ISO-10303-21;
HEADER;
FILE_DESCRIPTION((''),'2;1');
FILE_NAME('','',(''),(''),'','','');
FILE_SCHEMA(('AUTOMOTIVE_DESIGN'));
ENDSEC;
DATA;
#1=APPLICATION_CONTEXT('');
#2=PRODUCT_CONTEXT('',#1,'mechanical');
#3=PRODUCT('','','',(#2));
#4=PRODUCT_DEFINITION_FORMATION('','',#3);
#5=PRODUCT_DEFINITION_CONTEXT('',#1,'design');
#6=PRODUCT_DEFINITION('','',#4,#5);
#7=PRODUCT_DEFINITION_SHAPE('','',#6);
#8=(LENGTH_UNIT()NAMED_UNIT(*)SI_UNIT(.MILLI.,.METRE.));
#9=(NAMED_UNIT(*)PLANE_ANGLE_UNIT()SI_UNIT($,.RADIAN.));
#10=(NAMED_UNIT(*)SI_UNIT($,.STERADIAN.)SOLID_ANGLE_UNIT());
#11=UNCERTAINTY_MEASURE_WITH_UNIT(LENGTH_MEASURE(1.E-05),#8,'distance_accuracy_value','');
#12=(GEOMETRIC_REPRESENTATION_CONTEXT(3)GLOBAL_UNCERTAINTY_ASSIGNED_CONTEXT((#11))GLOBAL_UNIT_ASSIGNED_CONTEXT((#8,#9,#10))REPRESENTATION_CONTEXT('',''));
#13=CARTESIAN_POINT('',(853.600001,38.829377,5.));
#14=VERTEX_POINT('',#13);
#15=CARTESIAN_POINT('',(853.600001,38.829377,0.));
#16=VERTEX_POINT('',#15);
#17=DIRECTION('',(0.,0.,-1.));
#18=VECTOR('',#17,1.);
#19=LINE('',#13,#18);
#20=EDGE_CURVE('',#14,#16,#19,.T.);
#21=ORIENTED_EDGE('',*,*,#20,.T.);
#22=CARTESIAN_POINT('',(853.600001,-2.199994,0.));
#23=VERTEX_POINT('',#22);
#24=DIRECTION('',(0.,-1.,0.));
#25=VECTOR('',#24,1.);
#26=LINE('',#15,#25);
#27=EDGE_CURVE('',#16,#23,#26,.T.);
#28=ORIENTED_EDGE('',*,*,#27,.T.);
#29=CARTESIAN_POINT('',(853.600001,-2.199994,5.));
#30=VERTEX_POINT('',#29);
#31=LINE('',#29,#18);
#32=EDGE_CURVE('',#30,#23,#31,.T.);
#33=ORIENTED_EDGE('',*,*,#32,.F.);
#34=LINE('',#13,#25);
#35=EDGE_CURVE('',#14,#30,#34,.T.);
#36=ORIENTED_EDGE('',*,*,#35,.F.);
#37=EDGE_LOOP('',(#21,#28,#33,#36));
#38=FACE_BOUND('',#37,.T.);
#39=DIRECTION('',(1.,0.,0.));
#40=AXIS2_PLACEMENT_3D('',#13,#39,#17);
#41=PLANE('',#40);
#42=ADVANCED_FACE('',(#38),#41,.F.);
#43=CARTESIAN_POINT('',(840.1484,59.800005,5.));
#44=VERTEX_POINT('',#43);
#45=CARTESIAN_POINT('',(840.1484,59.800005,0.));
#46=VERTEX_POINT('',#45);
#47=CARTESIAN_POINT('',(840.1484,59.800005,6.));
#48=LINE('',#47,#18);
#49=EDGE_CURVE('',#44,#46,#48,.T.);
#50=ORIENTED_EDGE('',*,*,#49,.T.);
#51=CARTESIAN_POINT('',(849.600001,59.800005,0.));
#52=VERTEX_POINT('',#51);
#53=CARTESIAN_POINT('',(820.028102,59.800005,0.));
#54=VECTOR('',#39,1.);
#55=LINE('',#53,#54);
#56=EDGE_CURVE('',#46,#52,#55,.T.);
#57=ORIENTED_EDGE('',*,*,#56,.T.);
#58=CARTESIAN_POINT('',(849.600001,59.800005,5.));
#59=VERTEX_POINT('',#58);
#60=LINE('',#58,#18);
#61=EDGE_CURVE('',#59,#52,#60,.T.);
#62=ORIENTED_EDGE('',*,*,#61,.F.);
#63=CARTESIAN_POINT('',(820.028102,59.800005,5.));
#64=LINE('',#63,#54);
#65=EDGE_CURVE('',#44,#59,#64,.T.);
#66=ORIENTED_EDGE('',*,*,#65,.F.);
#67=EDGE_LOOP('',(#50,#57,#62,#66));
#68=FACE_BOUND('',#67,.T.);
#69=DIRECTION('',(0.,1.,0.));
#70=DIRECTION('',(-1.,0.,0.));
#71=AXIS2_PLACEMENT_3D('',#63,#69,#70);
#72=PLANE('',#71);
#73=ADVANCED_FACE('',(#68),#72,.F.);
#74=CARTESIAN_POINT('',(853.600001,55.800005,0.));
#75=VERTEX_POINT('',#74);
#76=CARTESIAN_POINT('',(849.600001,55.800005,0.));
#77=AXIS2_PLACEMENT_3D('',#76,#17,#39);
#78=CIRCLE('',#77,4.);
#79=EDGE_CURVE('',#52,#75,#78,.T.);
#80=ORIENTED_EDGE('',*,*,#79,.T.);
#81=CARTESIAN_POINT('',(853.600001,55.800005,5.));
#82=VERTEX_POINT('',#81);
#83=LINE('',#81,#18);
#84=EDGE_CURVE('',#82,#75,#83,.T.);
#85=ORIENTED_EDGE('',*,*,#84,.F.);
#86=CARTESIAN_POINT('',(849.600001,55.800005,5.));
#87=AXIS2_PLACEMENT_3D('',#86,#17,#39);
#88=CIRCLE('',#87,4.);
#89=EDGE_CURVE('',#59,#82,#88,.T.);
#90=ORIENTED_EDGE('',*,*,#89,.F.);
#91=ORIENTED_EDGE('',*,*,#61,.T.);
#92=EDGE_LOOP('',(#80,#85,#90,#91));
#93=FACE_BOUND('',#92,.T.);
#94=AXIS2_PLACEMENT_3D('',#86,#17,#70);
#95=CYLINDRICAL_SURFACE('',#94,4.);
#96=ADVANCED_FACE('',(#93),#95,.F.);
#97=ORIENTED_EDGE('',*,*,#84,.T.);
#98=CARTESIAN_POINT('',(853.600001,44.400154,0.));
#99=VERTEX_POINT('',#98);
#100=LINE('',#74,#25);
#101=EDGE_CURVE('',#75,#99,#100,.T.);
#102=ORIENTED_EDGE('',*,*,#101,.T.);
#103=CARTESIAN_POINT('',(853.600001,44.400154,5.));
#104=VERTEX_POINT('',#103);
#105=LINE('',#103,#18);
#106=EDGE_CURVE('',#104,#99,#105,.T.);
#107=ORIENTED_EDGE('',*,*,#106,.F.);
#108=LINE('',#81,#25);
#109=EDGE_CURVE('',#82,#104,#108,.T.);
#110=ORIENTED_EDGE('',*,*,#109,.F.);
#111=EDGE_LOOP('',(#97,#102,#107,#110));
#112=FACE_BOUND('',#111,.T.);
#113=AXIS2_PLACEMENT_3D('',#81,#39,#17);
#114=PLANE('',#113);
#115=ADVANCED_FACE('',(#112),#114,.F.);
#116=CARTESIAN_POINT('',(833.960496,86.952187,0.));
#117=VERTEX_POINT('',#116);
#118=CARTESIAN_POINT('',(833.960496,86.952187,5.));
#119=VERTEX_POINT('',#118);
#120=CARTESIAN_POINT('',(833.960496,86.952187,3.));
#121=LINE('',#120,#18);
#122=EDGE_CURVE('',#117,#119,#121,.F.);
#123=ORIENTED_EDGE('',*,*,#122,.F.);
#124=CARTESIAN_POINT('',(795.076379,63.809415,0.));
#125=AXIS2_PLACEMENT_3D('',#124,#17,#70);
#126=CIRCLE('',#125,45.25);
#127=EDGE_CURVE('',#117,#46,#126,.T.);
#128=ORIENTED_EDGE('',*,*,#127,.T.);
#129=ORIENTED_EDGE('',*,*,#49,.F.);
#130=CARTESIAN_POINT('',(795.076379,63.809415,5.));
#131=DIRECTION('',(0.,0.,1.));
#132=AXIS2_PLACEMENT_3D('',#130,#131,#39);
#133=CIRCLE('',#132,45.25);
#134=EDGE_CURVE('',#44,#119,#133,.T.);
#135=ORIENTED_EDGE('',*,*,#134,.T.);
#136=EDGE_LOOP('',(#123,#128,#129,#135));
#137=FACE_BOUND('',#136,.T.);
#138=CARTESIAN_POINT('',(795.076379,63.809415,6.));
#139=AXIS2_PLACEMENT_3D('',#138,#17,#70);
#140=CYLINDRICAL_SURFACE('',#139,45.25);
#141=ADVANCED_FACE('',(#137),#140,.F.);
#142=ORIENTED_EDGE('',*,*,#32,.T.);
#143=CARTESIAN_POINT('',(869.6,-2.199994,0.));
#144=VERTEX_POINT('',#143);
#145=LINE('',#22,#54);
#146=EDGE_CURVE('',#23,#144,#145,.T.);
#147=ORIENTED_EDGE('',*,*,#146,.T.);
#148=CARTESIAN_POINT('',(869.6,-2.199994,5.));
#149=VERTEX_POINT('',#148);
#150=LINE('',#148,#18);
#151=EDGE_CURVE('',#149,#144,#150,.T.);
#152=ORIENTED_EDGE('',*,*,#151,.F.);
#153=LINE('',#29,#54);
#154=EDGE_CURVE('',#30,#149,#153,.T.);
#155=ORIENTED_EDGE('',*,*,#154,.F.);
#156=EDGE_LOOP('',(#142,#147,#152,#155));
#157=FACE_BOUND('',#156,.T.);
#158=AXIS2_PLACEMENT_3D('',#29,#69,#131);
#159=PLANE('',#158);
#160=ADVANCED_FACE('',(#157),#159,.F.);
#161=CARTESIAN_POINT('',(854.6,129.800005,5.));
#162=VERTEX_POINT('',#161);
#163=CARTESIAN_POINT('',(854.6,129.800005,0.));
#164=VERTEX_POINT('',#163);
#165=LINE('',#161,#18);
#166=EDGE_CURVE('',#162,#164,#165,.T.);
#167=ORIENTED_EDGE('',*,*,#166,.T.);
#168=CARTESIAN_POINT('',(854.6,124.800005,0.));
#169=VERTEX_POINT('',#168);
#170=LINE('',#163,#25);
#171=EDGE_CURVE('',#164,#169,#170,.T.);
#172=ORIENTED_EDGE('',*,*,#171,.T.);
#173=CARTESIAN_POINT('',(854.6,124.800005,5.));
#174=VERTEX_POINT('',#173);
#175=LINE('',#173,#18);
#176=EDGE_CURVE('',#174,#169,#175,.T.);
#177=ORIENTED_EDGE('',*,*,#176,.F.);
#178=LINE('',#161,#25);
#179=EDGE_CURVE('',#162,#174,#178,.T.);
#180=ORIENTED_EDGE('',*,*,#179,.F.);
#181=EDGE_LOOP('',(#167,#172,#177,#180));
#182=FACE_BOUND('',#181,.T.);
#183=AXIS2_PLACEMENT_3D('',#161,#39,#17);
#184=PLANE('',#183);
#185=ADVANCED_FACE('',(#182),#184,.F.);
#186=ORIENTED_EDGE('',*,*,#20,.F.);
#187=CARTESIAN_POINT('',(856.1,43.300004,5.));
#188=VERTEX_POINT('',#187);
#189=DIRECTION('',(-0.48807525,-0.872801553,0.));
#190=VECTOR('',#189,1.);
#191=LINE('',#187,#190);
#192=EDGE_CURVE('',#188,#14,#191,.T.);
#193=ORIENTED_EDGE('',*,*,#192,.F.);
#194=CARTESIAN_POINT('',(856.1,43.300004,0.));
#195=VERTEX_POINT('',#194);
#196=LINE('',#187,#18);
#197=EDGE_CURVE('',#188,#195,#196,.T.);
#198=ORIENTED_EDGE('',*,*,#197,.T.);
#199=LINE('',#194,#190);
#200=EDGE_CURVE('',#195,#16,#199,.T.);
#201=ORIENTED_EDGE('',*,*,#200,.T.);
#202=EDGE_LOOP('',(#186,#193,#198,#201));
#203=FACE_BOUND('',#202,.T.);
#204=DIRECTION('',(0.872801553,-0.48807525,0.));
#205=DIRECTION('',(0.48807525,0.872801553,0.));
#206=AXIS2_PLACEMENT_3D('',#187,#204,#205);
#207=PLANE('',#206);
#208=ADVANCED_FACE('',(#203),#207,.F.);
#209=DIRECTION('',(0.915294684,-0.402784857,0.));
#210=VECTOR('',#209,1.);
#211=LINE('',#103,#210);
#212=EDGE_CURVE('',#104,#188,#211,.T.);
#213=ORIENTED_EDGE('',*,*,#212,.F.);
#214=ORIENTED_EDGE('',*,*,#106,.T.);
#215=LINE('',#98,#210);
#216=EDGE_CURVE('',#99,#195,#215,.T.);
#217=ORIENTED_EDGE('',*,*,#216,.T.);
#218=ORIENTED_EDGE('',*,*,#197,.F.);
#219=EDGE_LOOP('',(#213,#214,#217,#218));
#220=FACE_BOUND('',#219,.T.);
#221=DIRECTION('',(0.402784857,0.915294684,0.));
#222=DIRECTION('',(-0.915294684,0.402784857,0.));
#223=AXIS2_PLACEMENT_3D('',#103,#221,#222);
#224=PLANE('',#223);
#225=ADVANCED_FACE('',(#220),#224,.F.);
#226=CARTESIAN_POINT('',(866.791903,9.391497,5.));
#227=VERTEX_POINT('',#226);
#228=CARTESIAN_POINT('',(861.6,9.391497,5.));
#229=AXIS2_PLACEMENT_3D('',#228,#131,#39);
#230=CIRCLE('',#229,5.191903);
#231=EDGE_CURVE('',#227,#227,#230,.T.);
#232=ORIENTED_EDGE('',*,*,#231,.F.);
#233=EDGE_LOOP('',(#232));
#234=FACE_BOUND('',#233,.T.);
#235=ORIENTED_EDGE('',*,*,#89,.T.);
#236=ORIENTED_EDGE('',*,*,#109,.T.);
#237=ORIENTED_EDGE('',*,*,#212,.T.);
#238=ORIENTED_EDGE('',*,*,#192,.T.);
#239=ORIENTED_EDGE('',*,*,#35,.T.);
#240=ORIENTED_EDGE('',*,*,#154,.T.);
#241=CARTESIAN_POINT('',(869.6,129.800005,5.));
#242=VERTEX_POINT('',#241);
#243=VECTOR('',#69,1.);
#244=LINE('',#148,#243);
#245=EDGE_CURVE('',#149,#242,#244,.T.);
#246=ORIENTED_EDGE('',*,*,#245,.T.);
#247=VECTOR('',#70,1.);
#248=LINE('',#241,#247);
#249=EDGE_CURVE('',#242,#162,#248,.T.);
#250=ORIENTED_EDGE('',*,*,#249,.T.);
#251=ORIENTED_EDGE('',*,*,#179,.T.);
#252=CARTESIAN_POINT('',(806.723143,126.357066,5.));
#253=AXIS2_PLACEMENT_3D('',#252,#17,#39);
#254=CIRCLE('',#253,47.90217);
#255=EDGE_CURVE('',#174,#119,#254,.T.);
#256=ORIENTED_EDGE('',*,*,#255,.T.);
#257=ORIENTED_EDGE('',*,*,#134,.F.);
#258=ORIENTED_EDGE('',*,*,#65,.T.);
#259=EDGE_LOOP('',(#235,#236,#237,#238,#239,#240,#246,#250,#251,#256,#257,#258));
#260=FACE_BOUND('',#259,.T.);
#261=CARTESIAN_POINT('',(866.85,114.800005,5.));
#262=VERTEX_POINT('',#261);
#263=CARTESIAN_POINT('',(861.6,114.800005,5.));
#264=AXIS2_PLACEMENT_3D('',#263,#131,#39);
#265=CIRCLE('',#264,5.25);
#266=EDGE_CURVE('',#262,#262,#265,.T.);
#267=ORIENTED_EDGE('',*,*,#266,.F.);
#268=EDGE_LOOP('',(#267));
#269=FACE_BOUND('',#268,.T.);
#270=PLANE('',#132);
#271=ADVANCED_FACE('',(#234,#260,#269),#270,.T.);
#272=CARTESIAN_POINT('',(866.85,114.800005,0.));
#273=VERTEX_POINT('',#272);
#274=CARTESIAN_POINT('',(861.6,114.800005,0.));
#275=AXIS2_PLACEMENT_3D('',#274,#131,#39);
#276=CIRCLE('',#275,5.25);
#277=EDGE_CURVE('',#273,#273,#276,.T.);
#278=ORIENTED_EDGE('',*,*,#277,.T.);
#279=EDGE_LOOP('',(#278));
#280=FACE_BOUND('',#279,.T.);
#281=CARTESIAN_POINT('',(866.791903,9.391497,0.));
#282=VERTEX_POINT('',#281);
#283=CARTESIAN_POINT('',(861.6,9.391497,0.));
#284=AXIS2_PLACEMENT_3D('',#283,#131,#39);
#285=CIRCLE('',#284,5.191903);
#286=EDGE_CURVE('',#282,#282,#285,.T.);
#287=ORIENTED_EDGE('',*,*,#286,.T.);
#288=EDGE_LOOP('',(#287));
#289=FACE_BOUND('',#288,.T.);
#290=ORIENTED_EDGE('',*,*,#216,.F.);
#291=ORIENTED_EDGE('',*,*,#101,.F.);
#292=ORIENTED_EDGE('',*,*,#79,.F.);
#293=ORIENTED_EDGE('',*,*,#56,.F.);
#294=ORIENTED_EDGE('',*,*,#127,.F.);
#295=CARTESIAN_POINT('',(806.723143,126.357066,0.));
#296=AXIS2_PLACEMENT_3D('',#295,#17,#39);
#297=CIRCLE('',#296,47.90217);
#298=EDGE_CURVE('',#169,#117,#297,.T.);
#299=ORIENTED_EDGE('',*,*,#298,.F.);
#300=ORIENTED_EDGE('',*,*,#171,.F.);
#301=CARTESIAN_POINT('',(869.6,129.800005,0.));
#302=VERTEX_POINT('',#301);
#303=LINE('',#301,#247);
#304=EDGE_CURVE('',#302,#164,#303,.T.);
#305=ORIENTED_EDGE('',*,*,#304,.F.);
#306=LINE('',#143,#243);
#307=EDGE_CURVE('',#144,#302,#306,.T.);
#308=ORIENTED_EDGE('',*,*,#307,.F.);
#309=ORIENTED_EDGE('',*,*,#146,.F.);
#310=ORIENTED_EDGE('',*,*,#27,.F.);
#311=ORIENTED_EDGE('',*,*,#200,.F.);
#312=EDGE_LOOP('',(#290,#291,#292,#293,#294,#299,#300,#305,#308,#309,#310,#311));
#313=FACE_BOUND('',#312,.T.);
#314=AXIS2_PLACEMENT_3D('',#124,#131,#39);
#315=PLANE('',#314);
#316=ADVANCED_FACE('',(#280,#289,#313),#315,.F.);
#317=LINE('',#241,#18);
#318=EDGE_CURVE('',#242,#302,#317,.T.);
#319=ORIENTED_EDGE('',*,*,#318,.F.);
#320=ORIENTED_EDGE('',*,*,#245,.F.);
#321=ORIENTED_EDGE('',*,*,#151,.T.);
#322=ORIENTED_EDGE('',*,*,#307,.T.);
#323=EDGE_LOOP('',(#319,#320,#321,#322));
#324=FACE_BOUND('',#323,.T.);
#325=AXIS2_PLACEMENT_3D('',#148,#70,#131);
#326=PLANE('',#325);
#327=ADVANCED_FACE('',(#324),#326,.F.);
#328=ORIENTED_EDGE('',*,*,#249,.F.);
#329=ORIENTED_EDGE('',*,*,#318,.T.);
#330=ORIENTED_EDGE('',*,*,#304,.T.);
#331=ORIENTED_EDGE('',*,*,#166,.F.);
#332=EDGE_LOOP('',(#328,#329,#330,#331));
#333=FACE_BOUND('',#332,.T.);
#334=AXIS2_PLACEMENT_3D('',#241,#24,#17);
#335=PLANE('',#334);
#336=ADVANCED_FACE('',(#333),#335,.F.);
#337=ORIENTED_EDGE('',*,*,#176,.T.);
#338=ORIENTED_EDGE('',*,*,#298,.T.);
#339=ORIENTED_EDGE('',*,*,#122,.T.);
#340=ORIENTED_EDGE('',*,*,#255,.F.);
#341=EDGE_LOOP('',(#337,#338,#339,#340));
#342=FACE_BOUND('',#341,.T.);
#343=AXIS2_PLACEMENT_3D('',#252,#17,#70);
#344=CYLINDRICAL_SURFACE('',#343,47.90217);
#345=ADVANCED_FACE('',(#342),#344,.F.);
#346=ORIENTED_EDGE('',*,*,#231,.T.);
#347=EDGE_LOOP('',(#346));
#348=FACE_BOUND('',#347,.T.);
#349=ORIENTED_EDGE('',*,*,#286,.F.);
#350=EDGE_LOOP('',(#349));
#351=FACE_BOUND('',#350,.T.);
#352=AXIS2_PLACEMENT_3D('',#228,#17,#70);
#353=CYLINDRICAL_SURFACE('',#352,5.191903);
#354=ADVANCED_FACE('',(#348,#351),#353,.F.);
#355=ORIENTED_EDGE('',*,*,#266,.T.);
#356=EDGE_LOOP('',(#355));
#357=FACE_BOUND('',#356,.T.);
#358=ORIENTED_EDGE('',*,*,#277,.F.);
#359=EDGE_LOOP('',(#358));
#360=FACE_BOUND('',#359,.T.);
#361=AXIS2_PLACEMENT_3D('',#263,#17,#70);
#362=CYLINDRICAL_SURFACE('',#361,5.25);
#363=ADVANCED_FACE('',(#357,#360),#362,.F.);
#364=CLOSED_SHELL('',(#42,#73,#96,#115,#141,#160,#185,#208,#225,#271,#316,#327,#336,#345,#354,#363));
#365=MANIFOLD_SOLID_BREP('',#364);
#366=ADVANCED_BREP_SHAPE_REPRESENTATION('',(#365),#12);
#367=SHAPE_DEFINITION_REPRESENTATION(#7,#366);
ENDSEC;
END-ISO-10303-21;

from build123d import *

# Parameters (mm, degrees)
MODEL_R             = 5.191903136
MODEL_R_2           = 5.25
BOSS_EXTRUDE1_DEPTH = 5
SKETCH3_R           = 45.25
CUT_EXTRUDE1_DEPTH  = 6


with BuildPart() as part:
    # Model → Boss-Extrude1 (new body)
    with BuildSketch(Plane.XY):
        with BuildLine():
            Line((869.6, 129.800004709), (854.6, 129.800004709))
            Line((854.6, 129.800004709), (854.6, 124.800004709))
            ThreePointArc((854.6, 124.800004709), (842.940279, 95.005240735), (815.123335737, 79.19718198))
            ThreePointArc((815.123335737, 79.19718198), (819.577050566, 70.004649675), (820.028101645, 59.800004709))
            Line((820.028101645, 59.800004709), (849.60000149, 59.800004709))
            ThreePointArc((849.60000149, 59.800004709), (852.428428615, 58.628431833), (853.60000149, 55.800004709))
            Line((853.60000149, 55.800004709), (853.60000149, 44.400154403))
            Line((853.60000149, 44.400154403), (856.099999799, 43.300004388))
            Line((856.099999799, 43.300004388), (853.60000149, 38.829377357))
            Line((853.60000149, 38.829377357), (853.60000149, -2.199993903))
            Line((853.60000149, -2.199993903), (869.6, -2.199993903))
            Line((869.6, -2.199993903), (869.6, 129.800004709))
        make_face()
        with Locations((861.6, 9.391497171)):
            Circle(MODEL_R, mode=Mode.SUBTRACT)
        with Locations((861.6, 114.800004709)):
            Circle(MODEL_R_2, mode=Mode.SUBTRACT)
    extrude(amount=BOSS_EXTRUDE1_DEPTH)

    # Sketch3 → Cut-Extrude1 (cut)
    with BuildSketch(Plane(origin=(0, 0, 0), x_dir=(-1, 0, 0), z_dir=(0, 0, -1))):
        with Locations((-795.076378777, 63.809415284)):
            Circle(SKETCH3_R)
    extrude(amount=-CUT_EXTRUDE1_DEPTH, mode=Mode.SUBTRACT)


solid = part.part
